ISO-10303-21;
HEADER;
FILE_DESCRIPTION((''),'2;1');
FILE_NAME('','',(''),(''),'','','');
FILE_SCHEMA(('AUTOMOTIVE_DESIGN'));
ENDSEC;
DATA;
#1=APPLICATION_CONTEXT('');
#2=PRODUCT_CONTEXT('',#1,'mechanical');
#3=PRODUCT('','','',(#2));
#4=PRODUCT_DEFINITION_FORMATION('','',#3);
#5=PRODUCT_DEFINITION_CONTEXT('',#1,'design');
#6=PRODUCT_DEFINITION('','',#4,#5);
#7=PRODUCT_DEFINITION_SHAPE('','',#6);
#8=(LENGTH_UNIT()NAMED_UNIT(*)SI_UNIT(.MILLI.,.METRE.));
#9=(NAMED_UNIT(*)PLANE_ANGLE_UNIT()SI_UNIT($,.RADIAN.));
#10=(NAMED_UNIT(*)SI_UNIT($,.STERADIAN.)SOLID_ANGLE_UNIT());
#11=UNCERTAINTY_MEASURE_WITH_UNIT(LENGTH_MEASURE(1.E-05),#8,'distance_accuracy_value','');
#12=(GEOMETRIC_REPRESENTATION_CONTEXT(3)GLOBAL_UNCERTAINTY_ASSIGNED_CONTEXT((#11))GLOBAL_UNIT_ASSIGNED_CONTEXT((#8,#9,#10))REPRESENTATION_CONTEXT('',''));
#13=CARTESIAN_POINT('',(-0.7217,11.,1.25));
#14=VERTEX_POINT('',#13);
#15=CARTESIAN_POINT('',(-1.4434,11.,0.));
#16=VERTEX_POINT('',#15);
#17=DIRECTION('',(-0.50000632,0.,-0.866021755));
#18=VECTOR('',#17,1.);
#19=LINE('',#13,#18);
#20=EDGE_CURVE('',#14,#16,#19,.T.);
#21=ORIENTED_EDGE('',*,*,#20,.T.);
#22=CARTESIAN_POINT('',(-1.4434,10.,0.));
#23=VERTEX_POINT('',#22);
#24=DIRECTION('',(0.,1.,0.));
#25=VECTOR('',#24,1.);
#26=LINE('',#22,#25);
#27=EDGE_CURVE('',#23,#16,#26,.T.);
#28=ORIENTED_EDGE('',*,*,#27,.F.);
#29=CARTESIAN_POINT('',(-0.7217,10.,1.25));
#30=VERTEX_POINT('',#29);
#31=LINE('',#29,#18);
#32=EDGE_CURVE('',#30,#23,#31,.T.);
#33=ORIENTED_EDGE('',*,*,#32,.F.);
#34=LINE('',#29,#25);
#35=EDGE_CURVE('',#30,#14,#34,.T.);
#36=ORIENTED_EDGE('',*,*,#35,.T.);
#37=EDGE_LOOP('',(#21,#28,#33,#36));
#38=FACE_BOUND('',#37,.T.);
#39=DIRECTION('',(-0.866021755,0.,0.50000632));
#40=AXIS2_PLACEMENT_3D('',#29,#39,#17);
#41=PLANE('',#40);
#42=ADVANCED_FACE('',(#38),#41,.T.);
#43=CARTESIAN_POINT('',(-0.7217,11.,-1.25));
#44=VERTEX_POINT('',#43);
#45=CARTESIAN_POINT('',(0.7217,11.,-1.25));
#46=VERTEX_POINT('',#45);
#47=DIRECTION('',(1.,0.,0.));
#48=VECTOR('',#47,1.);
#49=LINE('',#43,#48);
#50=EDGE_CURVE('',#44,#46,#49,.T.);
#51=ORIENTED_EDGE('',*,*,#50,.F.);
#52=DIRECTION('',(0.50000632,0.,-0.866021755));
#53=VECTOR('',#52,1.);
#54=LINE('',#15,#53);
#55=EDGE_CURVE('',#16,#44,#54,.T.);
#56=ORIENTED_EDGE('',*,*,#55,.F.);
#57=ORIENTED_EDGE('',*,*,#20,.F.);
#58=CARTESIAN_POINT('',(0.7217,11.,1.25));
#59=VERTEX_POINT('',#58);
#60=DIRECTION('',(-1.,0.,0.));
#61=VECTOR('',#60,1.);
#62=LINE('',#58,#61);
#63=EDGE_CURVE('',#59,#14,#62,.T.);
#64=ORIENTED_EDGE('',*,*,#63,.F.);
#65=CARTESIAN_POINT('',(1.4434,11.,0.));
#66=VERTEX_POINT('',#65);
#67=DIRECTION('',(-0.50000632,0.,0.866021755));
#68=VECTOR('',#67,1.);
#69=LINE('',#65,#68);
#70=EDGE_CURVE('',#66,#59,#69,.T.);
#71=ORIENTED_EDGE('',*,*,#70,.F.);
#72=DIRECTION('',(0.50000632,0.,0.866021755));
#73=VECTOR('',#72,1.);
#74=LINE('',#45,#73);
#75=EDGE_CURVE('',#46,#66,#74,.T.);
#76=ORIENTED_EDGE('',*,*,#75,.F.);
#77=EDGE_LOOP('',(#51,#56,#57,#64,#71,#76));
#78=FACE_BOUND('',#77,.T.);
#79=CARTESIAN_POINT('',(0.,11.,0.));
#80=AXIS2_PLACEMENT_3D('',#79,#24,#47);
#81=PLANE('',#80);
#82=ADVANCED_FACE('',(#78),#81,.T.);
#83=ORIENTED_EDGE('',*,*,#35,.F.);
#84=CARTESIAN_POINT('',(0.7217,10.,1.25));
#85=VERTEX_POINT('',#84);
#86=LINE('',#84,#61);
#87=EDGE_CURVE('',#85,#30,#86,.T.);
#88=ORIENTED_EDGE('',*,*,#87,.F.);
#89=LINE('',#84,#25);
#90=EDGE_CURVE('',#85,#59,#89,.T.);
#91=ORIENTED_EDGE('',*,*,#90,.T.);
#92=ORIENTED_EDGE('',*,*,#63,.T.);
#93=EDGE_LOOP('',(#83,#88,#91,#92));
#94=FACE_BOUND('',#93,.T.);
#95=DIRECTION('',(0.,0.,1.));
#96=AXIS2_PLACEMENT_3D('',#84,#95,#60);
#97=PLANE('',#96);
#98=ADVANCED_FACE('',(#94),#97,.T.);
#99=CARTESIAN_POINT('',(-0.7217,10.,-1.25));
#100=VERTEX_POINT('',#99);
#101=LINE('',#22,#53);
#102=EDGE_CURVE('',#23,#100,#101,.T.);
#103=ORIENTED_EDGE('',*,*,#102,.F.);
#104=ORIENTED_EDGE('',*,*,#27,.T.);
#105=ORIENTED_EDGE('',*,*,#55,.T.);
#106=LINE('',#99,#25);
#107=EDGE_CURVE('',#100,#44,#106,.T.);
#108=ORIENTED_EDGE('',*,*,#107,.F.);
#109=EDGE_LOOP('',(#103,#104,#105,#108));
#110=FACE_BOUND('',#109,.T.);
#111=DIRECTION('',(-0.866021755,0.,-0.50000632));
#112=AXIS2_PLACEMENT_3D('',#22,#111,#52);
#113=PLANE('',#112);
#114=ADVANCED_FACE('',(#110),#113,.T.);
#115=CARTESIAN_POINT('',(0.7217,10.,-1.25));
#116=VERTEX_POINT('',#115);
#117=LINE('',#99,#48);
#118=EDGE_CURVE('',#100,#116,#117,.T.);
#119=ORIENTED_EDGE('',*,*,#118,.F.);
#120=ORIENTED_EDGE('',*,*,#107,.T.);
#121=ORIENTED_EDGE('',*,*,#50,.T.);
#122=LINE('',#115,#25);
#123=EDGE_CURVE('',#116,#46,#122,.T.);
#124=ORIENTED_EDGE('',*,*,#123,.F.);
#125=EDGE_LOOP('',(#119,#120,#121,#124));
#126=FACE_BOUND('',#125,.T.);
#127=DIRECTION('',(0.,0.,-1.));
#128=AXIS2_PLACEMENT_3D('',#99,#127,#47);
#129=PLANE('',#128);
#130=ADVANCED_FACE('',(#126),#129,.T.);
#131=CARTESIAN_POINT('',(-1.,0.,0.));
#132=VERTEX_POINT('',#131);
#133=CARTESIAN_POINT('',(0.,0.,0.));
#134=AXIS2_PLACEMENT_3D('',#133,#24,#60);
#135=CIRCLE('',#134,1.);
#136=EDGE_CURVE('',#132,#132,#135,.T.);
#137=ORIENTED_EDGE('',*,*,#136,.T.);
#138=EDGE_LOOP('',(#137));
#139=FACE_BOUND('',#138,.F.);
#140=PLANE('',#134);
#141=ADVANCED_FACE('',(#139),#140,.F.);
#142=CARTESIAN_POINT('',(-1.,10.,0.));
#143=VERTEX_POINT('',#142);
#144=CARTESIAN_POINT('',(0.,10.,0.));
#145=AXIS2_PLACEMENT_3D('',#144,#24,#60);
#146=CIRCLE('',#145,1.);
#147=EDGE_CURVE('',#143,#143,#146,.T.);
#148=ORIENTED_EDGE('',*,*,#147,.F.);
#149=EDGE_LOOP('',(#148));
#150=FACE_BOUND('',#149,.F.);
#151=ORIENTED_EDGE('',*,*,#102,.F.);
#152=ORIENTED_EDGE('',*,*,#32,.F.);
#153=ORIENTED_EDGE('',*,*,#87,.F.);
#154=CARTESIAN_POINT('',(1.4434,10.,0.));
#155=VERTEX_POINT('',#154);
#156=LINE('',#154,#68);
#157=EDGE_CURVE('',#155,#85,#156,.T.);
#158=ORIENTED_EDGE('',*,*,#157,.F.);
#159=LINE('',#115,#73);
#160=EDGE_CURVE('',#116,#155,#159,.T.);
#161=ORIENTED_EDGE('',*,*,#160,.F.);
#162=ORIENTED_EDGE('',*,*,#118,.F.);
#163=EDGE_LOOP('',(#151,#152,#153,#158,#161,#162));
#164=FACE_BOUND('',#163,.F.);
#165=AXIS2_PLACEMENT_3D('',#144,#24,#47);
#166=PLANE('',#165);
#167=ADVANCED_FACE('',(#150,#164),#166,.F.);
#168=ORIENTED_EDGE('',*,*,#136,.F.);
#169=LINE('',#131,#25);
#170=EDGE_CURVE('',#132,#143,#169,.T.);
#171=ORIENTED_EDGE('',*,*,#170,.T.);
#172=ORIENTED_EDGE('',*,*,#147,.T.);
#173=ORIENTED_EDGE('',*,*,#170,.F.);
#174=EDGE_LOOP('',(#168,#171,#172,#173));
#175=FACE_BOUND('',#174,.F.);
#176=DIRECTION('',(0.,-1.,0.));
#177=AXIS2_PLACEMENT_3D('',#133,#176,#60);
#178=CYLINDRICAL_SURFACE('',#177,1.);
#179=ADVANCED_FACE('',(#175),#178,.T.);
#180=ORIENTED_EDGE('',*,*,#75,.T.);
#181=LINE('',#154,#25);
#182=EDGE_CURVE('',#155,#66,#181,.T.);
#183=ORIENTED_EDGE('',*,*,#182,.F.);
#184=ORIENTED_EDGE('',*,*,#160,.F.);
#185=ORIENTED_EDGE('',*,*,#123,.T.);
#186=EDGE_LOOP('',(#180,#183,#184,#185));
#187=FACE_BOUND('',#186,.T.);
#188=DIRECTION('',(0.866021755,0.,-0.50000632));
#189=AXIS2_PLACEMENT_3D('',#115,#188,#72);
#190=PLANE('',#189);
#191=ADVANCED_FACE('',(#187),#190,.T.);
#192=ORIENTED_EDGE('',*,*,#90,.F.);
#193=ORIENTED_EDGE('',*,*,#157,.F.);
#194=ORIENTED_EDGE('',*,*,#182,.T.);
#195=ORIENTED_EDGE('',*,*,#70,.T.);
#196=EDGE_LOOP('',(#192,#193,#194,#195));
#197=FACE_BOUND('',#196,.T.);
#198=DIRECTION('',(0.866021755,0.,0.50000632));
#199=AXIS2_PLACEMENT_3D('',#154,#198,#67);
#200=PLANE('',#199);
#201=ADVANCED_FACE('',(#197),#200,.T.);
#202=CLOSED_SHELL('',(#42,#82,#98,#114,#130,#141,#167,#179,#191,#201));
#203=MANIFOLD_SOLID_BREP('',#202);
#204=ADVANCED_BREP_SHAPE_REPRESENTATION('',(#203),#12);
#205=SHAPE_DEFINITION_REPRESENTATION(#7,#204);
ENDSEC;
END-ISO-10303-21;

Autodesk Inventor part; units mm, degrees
ref_plane "YZ Plane" through (0, 0, 0) normal (1, 0, 0) x (0, 1, 0)
ref_plane "XZ Plane" through (0, 0, 0) normal (0, 1, 0) x (-1, 0, 0)
ref_plane "XY Plane" through (0, 0, 0) normal (0, 0, 1) x (1, 0, 0)
sketch "Sketch1" plane through (0, 0, 0) normal (0, 1, 0) x (-1, 0, 0)
  circle A0 centre (0, 0) radius 1
  dimension "d0" = 2
extrude "Extrusion1" add sketch "Sketch1" along normal blind 10
sketch "Sketch2" plane through (0, 10, 0) normal (0, 1, 0) x (1, 0, 0)
  line L0 (-0.7217, -1.25) -> (-1.4434, 0)
  line L1 (-1.4434, 0) -> (-0.7217, 1.25)
  line L2 (-0.7217, 1.25) -> (0.7217, 1.25)
  line L3 (0.7217, 1.25) -> (1.4434, 0)
  line L4 (1.4434, 0) -> (0.7217, -1.25)
  line L5 (0.7217, -1.25) -> (-0.7217, -1.25)
  point P0 (0, 0)
  point P1 (0, 0)
  dimension "d3" = 2.5
extrude "Extrusion2" add sketch "Sketch2" along normal blind 1
properties part number "trail 14"
